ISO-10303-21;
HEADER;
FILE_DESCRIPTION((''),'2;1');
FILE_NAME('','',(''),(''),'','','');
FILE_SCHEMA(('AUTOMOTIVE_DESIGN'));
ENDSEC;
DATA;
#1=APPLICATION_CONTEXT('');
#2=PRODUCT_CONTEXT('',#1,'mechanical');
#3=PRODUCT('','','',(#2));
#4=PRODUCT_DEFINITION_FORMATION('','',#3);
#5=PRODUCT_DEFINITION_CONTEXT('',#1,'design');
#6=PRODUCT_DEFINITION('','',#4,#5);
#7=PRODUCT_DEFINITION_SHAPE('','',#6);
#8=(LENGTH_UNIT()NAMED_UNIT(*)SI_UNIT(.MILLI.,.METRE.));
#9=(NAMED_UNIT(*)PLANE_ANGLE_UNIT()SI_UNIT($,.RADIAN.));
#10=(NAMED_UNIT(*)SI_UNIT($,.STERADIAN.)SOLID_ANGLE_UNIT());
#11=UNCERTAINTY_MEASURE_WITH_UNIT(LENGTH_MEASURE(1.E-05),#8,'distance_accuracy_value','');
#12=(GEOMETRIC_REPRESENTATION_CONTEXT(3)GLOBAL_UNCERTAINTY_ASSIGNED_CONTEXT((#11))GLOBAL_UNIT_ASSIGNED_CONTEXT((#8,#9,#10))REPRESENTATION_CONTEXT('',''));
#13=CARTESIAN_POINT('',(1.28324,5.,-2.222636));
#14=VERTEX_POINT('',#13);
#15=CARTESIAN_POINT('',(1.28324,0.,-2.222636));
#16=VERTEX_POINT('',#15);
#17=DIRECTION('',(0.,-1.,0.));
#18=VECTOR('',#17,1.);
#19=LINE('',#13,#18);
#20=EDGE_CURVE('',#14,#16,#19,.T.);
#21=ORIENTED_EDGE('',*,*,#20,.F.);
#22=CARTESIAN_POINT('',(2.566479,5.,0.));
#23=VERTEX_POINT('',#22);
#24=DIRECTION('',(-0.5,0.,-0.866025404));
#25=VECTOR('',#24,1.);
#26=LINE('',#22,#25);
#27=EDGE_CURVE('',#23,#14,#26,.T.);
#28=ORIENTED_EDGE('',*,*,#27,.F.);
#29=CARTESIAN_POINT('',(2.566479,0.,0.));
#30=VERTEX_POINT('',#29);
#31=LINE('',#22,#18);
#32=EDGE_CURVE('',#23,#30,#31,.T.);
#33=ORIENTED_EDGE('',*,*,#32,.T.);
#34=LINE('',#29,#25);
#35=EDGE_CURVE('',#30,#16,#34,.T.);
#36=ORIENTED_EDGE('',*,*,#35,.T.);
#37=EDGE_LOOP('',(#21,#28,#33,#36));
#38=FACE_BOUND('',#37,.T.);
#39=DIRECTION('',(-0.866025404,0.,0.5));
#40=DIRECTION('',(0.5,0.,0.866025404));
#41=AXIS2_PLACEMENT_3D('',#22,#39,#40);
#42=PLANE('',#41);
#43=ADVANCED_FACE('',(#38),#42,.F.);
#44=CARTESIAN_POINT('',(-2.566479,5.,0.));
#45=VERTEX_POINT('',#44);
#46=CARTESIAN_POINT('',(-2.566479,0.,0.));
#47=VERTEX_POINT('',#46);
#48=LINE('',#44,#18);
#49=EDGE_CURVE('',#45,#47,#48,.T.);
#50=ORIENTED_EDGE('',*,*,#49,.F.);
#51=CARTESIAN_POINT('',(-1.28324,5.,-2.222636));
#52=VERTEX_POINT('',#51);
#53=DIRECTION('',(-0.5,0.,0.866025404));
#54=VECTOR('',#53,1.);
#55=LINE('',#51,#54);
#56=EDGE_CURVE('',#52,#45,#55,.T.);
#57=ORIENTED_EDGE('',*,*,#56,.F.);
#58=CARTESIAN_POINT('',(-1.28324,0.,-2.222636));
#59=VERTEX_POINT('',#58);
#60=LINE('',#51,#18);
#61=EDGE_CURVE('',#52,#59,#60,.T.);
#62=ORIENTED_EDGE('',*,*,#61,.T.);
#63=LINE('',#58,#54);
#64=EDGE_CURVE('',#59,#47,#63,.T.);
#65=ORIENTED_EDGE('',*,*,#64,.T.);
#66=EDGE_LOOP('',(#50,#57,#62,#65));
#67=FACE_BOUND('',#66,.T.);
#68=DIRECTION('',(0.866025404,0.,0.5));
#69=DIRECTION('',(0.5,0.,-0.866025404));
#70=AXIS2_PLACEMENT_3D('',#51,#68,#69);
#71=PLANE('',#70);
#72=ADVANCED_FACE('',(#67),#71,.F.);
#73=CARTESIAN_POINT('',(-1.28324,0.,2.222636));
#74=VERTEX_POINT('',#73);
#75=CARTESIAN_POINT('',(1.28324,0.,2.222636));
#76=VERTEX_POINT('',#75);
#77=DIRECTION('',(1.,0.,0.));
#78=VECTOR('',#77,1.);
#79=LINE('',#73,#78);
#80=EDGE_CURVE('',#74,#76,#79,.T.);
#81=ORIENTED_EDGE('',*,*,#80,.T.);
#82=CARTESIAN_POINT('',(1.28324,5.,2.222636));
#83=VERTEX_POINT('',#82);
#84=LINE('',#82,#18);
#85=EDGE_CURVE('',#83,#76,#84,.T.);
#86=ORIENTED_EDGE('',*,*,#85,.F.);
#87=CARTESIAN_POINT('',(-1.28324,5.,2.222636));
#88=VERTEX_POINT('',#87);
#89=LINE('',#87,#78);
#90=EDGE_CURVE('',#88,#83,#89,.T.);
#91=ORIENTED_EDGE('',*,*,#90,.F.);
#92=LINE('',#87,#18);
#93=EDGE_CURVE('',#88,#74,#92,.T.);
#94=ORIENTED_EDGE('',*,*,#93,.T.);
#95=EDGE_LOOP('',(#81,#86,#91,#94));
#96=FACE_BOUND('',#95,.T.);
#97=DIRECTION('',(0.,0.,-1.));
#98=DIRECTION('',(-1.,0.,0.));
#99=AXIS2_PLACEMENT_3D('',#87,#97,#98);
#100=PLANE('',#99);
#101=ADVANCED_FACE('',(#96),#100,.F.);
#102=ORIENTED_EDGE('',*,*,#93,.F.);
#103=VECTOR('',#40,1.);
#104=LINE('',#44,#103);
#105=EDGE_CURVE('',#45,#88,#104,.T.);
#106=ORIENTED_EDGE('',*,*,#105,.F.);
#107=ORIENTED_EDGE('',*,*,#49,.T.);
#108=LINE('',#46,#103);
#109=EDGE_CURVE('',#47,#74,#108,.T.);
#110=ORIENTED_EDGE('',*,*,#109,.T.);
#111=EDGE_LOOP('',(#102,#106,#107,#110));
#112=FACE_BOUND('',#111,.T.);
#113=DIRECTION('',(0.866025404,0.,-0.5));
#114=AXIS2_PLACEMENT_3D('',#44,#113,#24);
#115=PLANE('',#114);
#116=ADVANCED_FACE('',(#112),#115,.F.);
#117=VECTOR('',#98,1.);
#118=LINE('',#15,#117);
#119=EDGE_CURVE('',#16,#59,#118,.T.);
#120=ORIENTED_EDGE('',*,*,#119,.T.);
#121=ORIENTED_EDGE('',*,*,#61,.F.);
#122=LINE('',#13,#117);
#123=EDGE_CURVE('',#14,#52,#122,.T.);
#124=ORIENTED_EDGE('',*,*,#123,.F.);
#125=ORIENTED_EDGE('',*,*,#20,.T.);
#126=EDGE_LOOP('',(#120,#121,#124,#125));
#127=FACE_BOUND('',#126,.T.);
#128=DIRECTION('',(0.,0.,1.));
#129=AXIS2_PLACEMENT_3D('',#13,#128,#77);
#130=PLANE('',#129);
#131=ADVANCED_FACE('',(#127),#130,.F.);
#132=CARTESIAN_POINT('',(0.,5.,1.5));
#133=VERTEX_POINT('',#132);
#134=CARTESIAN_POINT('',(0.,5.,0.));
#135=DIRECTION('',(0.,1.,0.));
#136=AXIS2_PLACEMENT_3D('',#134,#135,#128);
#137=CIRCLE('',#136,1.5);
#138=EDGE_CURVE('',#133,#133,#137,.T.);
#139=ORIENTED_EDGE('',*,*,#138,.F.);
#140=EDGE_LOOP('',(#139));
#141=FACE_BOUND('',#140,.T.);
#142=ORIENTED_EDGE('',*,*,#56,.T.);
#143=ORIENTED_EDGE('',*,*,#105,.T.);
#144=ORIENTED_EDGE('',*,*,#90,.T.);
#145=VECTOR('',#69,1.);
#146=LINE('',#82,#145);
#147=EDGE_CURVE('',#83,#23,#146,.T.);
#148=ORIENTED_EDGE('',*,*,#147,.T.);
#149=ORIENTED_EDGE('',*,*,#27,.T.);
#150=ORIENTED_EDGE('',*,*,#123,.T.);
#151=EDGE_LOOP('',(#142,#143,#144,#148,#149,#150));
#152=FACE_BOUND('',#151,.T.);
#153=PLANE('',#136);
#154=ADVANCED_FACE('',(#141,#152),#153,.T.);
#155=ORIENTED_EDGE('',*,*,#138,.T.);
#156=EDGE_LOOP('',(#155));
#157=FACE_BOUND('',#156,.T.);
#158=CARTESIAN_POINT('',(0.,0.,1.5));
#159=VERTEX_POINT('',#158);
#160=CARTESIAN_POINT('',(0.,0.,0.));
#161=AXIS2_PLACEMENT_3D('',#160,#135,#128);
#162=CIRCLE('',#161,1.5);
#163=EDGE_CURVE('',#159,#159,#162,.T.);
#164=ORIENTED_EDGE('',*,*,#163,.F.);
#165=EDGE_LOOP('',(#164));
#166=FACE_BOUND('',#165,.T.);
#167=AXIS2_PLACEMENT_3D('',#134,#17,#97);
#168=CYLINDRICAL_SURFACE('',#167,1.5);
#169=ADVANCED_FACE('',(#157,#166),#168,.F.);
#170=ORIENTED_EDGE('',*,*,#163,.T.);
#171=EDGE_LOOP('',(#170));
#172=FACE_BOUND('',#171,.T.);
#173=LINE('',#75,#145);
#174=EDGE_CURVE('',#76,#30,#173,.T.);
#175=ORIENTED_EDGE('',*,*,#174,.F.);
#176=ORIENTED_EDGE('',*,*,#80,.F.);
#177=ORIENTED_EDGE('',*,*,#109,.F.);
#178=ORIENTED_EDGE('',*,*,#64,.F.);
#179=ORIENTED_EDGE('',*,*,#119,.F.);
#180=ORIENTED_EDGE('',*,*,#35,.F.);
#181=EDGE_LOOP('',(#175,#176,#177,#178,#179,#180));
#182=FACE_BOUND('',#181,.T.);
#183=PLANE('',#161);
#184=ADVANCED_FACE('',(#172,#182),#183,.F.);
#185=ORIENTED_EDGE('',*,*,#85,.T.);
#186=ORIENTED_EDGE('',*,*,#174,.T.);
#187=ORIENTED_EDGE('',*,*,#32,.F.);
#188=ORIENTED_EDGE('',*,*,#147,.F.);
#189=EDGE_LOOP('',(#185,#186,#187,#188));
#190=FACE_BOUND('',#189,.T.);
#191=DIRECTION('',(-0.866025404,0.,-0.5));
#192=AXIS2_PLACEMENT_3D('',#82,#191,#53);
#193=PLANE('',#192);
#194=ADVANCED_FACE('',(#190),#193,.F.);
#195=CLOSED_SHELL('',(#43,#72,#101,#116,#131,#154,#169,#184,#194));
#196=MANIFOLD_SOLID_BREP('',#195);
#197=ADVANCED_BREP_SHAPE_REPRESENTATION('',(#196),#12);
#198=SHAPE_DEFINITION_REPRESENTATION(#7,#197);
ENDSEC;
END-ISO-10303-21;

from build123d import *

# Parameters (mm, degrees)
SKETCH1_R           = 1.5
BOSS_EXTRUDE1_DEPTH = 5


with BuildPart() as part:
    # Sketch1 → Boss-Extrude1 (new body)
    with BuildSketch(Plane(origin=(0, 0, 0), x_dir=(1, 0, 0), z_dir=(0, 1, 0))):
        Polygon((2.566479006, 0), (1.283239503, 2.222636017), (-1.283239503, 2.222636017), (-2.566479006, 0), (-1.283239503, -2.222636017), (1.283239503, -2.222636017), align=None)
        with Locations(Location((0, 0, 0), (0, 0, 270))):
            Circle(SKETCH1_R, mode=Mode.SUBTRACT)
    extrude(amount=BOSS_EXTRUDE1_DEPTH)


solid = part.part
